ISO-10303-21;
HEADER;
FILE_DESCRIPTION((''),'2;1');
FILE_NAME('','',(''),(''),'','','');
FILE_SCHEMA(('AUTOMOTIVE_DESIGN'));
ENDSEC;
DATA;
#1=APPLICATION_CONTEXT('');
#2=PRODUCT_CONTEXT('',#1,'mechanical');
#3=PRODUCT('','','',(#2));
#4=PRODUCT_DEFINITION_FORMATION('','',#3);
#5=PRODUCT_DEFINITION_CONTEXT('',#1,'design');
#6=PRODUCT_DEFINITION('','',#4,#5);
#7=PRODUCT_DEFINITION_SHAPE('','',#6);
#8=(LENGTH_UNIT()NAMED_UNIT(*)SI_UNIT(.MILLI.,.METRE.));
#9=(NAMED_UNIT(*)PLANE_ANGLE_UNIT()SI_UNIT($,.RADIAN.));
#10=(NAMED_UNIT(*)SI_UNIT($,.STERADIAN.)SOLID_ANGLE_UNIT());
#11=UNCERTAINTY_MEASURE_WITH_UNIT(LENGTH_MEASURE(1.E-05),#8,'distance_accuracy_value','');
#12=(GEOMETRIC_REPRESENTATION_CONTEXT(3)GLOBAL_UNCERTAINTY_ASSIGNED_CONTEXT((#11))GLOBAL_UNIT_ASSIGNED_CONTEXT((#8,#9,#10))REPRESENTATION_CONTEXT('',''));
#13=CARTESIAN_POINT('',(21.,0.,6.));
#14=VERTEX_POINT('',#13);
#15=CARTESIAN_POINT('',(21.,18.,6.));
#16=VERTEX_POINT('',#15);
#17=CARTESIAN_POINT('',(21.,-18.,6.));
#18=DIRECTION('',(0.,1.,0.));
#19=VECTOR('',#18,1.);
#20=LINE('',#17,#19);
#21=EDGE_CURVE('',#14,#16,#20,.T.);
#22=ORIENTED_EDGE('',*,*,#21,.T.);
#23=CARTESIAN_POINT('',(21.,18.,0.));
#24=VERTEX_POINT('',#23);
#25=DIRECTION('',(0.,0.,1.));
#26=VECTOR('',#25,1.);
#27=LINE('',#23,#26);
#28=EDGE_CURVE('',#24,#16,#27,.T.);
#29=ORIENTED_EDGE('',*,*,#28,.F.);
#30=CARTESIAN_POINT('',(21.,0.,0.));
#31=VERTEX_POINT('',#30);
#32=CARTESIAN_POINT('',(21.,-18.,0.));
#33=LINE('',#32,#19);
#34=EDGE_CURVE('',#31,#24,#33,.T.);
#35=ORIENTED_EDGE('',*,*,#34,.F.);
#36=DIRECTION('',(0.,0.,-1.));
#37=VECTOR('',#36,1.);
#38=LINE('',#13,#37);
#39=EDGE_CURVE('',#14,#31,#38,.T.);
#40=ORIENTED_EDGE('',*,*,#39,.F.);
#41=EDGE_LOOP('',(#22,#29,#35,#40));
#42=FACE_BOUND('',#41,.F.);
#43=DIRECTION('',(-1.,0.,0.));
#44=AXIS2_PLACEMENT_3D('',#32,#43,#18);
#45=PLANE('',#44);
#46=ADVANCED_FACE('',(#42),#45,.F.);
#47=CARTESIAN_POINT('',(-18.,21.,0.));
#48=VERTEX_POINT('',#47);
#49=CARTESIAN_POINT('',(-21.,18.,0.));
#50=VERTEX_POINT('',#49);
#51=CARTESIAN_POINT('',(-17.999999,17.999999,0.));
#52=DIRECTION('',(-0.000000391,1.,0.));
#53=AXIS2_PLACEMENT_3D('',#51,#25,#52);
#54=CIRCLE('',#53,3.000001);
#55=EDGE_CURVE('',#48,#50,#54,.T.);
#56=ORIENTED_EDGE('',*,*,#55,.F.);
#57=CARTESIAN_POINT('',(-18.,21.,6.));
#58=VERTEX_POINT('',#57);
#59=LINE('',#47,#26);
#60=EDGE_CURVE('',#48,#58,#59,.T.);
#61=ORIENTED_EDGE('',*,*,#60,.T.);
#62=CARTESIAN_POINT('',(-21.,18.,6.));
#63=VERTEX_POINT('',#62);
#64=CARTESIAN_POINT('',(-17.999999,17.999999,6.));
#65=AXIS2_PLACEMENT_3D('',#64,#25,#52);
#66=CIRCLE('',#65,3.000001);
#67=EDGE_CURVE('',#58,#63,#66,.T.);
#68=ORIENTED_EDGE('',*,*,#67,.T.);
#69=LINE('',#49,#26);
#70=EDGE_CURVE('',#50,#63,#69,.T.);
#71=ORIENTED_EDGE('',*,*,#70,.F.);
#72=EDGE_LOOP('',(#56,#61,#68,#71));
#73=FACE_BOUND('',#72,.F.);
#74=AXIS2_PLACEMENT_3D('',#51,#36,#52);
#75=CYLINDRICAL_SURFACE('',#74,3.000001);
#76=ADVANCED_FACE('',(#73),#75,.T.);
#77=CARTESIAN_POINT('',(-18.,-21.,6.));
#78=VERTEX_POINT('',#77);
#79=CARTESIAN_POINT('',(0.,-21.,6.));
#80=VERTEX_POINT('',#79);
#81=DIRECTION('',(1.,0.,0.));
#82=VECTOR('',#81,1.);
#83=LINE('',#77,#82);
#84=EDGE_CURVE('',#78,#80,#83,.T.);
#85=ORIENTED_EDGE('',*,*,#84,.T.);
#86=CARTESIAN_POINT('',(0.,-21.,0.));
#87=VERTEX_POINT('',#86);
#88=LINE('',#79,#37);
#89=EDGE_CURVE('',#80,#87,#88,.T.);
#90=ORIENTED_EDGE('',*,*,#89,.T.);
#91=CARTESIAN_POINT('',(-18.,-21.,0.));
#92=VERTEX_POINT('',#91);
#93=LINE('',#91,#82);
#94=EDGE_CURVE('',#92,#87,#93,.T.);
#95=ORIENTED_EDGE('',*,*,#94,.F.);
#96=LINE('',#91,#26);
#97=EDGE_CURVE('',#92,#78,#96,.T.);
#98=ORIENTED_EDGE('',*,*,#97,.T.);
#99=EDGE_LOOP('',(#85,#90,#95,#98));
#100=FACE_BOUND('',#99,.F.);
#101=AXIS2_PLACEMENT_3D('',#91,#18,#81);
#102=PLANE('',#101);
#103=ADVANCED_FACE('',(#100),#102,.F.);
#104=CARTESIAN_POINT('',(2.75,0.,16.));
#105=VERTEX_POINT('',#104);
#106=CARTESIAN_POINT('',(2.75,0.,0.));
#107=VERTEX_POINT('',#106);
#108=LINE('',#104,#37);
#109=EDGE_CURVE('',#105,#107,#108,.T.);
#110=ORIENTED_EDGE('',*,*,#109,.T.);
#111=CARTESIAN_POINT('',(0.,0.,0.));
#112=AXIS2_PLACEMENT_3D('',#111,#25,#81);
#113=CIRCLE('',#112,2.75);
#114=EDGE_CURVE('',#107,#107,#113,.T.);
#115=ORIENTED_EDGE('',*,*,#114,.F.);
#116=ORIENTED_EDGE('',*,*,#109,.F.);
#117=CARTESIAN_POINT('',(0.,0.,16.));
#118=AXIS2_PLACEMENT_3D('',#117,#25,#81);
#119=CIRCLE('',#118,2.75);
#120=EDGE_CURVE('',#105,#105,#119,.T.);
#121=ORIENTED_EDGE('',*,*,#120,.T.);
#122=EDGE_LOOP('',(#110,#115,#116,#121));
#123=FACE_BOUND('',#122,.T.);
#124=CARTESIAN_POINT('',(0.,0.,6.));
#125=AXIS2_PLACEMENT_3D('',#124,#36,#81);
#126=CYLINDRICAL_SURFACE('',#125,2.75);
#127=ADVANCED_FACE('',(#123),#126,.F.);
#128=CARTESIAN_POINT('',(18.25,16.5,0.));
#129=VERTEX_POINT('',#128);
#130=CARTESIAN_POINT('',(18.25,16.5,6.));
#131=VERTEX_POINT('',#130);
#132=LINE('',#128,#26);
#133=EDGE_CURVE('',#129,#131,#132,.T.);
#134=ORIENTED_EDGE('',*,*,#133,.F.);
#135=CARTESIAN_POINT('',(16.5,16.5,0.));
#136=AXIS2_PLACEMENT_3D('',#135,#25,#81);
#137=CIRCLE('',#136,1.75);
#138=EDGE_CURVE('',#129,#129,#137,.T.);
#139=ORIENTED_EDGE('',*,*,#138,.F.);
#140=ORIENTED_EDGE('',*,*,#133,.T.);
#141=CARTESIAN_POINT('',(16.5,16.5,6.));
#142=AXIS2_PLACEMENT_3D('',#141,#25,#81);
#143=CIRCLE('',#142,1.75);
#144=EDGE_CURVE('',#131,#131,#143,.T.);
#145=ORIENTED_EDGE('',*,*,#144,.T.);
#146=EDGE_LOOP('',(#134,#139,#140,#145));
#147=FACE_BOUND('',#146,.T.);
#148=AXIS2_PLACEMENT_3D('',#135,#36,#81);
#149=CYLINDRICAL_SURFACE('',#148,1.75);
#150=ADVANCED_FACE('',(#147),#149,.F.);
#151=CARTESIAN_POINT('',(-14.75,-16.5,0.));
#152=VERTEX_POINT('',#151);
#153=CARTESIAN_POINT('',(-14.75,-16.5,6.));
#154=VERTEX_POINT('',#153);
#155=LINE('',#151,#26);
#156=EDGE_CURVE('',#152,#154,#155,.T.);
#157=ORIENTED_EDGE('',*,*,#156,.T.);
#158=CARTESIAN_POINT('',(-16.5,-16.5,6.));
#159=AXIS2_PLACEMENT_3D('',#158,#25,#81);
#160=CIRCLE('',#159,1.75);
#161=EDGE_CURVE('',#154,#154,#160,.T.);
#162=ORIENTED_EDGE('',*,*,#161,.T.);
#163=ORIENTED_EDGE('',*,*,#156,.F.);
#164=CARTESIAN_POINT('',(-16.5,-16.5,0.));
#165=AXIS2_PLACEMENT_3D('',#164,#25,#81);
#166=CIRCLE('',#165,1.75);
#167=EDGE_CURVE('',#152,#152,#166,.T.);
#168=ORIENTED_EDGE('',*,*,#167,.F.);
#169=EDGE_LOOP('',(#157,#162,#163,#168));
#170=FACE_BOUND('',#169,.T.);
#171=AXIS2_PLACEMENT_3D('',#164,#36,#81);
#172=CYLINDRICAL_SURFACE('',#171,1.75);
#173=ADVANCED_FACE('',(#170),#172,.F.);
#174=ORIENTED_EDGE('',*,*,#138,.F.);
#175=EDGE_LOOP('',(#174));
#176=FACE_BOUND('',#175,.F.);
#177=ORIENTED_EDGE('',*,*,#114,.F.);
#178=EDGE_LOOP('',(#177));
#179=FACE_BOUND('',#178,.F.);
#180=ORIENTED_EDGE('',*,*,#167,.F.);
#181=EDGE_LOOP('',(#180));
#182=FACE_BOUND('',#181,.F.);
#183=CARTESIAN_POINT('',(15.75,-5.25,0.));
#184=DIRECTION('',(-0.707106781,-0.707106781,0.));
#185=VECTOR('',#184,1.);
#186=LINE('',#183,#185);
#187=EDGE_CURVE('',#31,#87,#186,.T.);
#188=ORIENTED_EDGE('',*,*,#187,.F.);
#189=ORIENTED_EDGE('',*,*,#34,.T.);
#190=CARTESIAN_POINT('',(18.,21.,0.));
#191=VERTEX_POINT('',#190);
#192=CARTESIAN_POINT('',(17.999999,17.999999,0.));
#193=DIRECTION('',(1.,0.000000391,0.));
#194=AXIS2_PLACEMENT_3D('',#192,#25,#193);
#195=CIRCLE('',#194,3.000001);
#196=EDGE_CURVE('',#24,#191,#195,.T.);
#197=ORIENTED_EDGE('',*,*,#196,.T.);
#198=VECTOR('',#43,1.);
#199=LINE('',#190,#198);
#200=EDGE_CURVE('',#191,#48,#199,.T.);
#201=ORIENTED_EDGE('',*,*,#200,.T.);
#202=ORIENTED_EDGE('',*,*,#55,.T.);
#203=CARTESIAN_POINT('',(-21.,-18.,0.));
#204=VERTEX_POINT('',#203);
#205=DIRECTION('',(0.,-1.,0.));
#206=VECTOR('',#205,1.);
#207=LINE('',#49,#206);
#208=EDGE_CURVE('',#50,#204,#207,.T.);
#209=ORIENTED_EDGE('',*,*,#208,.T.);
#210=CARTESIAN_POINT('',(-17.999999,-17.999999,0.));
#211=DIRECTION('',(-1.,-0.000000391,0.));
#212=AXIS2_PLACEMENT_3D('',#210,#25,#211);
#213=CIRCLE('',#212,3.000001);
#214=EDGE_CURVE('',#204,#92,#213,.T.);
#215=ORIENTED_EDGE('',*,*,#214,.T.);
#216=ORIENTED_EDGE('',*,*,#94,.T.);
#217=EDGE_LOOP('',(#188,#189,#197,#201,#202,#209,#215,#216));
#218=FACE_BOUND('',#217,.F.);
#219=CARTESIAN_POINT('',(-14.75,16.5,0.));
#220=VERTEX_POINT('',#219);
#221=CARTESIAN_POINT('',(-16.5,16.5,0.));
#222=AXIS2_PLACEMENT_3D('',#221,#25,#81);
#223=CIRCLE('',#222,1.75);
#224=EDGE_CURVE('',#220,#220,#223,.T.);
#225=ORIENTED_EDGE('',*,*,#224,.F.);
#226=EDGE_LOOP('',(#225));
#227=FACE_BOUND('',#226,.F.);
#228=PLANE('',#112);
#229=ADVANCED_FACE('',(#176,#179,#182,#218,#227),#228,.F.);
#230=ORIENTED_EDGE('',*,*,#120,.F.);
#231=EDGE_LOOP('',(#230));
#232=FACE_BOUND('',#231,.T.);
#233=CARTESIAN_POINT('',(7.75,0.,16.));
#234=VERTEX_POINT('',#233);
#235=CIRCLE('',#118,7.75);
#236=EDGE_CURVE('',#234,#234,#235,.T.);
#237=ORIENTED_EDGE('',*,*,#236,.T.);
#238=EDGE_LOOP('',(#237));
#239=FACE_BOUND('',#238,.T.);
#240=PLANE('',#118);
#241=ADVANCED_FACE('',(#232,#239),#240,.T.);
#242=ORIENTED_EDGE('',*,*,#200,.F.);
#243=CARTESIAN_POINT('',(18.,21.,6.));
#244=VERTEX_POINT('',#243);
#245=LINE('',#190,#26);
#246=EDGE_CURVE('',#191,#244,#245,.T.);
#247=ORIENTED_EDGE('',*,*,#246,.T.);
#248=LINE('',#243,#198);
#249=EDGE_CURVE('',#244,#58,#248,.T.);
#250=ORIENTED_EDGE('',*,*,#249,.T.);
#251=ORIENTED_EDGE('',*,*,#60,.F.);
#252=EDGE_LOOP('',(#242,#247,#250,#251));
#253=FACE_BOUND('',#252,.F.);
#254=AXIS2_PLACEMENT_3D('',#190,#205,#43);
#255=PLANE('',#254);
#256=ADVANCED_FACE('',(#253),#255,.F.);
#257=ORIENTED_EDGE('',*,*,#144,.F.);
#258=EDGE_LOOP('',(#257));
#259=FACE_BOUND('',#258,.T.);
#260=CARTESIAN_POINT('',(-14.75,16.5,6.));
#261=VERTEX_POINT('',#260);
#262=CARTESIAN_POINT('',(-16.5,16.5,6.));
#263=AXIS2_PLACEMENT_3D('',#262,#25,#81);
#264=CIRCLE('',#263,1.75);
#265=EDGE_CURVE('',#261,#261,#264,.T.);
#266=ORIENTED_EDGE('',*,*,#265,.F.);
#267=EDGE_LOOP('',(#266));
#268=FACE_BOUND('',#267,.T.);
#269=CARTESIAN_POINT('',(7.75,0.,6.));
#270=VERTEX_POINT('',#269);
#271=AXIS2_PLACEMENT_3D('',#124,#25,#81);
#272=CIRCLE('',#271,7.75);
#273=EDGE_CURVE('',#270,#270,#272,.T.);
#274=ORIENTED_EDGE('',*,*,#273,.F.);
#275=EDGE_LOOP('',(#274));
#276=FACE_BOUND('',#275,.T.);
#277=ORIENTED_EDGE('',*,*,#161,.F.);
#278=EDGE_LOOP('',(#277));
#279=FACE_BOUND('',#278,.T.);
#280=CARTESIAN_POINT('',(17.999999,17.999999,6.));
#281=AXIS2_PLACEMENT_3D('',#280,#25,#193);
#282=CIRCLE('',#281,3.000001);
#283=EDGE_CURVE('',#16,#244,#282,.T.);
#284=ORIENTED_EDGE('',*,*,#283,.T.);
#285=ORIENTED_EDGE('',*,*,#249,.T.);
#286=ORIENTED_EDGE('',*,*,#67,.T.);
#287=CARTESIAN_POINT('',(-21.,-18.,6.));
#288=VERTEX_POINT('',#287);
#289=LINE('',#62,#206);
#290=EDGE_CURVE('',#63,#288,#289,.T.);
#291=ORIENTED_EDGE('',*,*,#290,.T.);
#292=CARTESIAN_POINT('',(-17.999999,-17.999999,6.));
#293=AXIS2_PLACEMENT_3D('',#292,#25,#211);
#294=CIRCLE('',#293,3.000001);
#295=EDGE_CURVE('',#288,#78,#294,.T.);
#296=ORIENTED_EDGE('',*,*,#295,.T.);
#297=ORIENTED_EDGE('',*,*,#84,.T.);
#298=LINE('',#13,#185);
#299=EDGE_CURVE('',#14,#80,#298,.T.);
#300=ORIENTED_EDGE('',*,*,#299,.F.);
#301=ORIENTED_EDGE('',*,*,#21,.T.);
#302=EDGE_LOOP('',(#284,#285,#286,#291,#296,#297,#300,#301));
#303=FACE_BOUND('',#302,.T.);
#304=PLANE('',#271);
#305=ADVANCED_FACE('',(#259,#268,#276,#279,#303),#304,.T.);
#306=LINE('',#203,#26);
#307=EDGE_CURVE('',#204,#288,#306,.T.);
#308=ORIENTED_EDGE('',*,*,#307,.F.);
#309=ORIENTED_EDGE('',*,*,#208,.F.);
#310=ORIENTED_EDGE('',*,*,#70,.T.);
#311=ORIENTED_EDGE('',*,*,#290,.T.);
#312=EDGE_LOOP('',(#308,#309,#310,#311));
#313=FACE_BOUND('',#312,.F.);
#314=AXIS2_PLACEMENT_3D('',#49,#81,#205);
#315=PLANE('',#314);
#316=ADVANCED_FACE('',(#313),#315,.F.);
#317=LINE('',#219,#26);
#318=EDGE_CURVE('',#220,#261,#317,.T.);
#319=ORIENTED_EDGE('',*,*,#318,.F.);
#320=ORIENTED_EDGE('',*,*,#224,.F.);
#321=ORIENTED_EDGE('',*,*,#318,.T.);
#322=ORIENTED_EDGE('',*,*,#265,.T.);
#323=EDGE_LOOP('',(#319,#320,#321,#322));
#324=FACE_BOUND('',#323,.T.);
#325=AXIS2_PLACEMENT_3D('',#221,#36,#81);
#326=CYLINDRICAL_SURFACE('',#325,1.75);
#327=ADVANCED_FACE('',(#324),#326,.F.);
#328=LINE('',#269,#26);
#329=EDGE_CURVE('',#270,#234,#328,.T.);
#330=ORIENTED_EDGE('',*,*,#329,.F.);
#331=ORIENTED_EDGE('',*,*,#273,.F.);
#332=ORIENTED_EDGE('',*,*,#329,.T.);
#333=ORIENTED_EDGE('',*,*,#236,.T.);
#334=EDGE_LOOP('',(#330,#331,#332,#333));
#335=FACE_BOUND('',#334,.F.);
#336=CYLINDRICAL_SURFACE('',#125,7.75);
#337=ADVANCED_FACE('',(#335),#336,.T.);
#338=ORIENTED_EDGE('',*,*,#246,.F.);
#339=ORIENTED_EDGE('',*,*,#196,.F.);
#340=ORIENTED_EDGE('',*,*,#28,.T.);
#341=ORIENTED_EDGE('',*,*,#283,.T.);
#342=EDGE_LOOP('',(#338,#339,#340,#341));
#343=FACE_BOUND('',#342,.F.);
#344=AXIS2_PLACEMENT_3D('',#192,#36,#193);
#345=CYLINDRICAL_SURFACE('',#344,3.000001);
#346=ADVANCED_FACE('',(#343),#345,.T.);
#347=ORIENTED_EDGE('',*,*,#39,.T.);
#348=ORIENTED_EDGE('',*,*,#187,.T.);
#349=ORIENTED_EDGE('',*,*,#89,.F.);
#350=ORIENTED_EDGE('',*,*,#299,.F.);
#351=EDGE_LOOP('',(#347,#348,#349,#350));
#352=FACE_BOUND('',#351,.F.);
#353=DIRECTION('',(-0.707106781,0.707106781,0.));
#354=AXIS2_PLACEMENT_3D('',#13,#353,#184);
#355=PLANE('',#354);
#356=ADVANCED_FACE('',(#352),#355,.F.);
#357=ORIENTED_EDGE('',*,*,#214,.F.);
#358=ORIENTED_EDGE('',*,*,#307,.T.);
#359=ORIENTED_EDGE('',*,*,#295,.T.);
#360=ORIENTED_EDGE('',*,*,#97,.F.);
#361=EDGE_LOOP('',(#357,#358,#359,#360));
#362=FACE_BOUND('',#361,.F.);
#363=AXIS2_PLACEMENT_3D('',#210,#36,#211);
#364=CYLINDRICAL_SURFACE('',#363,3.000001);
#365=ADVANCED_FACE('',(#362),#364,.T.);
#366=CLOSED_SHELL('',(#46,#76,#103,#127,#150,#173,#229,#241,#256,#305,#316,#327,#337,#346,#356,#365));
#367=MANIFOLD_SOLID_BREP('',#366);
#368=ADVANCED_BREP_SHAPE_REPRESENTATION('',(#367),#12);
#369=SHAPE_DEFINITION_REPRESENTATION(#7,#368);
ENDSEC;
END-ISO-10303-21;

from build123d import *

# Parameters (mm, degrees)
F0_R     = 1.75
F0_R_2   = 2.75
F1_DEPTH = 6
F3_DEPTH = 25
F4_R     = 7.75
F4_R_2   = 2.75
F5_DEPTH = 10


with BuildPart() as f1:
    # F0 (on Top) → F1 (new body)
    with BuildSketch(Plane.XY):
        with BuildLine():
            ThreePointArc((21, 18), (20.12132, 20.12132), (18, 21))
            Line((18, 21), (-18, 21))
            ThreePointArc((-18, 21), (-20.12132, 20.12132), (-21, 18))
            Line((-21, 18), (-21, -18))
            ThreePointArc((-21, -18), (-20.12132, -20.12132), (-18, -21))
            Line((-18, -21), (18, -21))
            ThreePointArc((18, -21), (20.12132, -20.12132), (21, -18))
            Line((21, -18), (21, 18))
        make_face()
        with Locations((-16.5, -16.5)):
            Circle(F0_R, mode=Mode.SUBTRACT)
        with Locations((16.5, -16.5)):
            Circle(F0_R, mode=Mode.SUBTRACT)
        with Locations((-16.5, 16.5)):
            Circle(F0_R, mode=Mode.SUBTRACT)
        Circle(F0_R_2, mode=Mode.SUBTRACT)
        with Locations((16.5, 16.5)):
            Circle(F0_R, mode=Mode.SUBTRACT)
    extrude(amount=F1_DEPTH)

    # F2 (on face) → F3 (cut)
    with BuildSketch(Plane.XY.offset(6)):
        Polygon((21, 0), (0, -21), (21, -21), align=None)
    extrude(amount=-F3_DEPTH, mode=Mode.SUBTRACT)

    # F4 (on face) → F5 (join)
    with BuildSketch(Plane.XY.offset(6)):
        Circle(F4_R)
        Circle(F4_R_2, mode=Mode.SUBTRACT)
    extrude(amount=F5_DEPTH)


solid = f1.part
